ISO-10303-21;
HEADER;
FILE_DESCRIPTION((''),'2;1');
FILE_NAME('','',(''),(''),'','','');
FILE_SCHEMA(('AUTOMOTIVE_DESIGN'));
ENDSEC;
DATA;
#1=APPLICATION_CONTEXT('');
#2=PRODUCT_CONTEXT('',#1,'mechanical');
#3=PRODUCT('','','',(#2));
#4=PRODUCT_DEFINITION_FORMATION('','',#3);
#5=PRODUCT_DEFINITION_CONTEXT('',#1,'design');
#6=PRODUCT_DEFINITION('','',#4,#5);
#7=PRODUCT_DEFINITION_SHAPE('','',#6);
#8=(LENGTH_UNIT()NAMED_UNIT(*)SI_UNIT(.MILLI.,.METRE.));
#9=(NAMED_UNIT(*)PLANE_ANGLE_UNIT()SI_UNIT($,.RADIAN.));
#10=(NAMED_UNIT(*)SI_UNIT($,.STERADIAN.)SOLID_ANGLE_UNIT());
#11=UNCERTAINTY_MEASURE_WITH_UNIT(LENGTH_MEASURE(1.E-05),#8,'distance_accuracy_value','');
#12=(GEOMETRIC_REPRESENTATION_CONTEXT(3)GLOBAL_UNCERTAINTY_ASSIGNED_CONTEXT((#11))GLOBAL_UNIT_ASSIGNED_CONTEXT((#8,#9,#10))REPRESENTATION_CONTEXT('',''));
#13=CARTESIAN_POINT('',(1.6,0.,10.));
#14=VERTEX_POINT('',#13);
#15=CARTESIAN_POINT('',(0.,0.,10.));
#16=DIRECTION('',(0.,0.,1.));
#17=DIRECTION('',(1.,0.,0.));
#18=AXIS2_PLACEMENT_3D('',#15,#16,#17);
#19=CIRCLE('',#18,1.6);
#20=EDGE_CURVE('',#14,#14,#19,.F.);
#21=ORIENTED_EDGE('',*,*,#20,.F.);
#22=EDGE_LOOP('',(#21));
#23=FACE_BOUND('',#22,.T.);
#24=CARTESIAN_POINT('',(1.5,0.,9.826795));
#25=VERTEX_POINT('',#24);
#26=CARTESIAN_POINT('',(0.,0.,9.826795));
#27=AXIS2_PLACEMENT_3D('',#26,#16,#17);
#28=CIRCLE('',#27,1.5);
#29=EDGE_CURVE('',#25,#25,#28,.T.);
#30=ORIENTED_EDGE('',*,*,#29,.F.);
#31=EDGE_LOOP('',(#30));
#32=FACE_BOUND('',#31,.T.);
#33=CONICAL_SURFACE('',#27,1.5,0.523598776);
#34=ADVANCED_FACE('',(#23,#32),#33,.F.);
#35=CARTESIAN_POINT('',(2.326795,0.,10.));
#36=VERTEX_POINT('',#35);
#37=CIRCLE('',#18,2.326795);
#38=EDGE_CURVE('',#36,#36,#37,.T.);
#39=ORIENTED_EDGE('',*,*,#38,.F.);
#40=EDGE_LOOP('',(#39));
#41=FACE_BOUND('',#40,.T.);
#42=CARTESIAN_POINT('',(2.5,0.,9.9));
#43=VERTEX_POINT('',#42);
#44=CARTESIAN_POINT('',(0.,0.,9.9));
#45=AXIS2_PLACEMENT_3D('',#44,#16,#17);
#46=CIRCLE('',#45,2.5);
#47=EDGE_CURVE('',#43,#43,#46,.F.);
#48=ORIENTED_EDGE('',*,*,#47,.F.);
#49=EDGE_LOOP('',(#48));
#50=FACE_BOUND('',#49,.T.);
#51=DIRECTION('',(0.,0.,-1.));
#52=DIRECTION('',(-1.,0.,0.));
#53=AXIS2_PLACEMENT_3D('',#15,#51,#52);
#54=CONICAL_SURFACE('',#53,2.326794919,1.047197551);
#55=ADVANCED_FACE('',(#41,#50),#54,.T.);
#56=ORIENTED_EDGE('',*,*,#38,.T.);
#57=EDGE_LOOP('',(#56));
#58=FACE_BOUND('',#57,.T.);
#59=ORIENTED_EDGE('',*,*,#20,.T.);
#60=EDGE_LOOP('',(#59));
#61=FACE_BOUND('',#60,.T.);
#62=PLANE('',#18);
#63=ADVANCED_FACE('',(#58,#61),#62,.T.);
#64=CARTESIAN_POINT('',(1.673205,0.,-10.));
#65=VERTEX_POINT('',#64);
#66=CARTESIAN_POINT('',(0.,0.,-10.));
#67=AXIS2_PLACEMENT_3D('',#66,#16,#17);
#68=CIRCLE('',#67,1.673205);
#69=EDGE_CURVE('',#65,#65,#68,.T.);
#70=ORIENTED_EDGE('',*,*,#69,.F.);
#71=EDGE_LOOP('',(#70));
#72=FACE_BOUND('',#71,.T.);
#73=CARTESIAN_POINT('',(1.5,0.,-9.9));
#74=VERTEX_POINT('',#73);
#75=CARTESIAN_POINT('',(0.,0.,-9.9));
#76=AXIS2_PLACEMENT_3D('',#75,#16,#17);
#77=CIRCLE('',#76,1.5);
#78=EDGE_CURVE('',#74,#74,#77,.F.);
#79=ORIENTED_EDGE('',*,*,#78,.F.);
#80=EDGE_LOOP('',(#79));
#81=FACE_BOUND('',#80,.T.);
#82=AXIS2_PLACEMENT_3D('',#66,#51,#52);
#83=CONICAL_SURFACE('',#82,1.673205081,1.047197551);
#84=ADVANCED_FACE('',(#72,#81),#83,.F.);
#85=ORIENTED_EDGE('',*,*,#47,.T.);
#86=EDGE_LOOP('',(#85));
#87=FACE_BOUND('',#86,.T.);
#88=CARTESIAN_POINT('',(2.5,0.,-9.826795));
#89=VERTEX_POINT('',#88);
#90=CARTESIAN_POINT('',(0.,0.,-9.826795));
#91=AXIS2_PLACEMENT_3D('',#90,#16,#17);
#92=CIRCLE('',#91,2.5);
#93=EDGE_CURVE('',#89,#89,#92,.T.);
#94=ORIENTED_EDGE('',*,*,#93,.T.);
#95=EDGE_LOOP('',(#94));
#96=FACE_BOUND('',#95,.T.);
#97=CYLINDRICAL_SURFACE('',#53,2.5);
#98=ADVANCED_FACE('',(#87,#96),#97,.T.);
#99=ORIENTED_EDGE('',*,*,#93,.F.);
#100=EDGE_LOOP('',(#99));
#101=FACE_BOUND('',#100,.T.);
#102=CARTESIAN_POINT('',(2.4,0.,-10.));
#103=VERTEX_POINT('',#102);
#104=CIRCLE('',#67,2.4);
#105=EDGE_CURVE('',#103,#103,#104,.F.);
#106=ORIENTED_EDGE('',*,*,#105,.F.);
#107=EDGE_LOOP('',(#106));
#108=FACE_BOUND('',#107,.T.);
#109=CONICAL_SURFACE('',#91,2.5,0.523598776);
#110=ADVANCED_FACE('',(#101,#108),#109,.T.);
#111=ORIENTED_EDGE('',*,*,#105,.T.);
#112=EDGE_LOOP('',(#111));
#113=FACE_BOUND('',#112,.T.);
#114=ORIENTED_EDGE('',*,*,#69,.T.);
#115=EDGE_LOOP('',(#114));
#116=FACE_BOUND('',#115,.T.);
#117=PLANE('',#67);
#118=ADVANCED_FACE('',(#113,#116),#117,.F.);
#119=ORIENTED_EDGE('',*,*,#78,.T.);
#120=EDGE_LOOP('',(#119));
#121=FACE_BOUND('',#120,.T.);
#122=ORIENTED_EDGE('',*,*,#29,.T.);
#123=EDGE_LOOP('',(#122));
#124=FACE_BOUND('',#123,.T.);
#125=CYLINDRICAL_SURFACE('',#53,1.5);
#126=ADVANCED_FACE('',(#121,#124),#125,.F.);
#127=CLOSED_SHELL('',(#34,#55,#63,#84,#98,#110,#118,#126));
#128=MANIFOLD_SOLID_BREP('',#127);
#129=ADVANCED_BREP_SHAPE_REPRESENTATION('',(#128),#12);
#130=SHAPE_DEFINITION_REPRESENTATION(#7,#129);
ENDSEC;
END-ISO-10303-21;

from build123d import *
from OCP.BRepFilletAPI import BRepFilletAPI_MakeChamfer

# Parameters (mm, degrees)
SKETCH1_R           = 2.5
SKETCH1_R_2         = 1.5
BOSS_EXTRUDE1_DEPTH = 10
CHAMFER1_SIZE       = 0.1
CHAMFER1_SIZE2      = 0.173205081


with BuildPart() as part:
    # Sketch1 → Boss-Extrude1 (new, symmetric)
    with BuildSketch(Plane.XY):
        Circle(SKETCH1_R)
        Circle(SKETCH1_R_2, mode=Mode.SUBTRACT)
    extrude(amount=BOSS_EXTRUDE1_DEPTH, both=True)

    # Chamfer1: one chamfer whose edges measure the first distance from different faces: ONE call of the kernel's chamfer builder (chamfer() names one face for all edges)
    chamfer1_edges_1 = [part.edges().sort_by_distance(p)[0] for p in [
        (-2.5, 0, -10),
    ]]
    chamfer1_side_1 = [part.faces().sort_by_distance(p)[0] for p in [
        (-2.429289322, 0, -10),
    ]]
    chamfer1_edges_2 = [part.edges().sort_by_distance(p)[0] for p in [
        (-2.5, 0, 10),
    ]]
    chamfer1_side_2 = [part.faces().sort_by_distance(p)[0] for p in [
        (-2.5, 0, 0),
    ]]
    chamfer1_edges_3 = [part.edges().sort_by_distance(p)[0] for p in [
        (-1.5, 0, -10),
    ]]
    chamfer1_side_3 = [part.faces().sort_by_distance(p)[0] for p in [
        (-1.5, 0, 0),
    ]]
    chamfer1_edges_4 = [part.edges().sort_by_distance(p)[0] for p in [
        (-1.5, 0, 10),
    ]]
    chamfer1_side_4 = [part.faces().sort_by_distance(p)[0] for p in [
        (-2.429289322, 0, 10),
    ]]
    chamfer1 = BRepFilletAPI_MakeChamfer(part.part.solid().wrapped)
    for e in chamfer1_edges_1:
        chamfer1.Add(CHAMFER1_SIZE, CHAMFER1_SIZE2, e.wrapped, chamfer1_side_1[0].wrapped)  # the first distance lies on this face
    for e in chamfer1_edges_2:
        chamfer1.Add(CHAMFER1_SIZE, CHAMFER1_SIZE2, e.wrapped, chamfer1_side_2[0].wrapped)  # the first distance lies on this face
    for e in chamfer1_edges_3:
        chamfer1.Add(CHAMFER1_SIZE, CHAMFER1_SIZE2, e.wrapped, chamfer1_side_3[0].wrapped)  # the first distance lies on this face
    for e in chamfer1_edges_4:
        chamfer1.Add(CHAMFER1_SIZE, CHAMFER1_SIZE2, e.wrapped, chamfer1_side_4[0].wrapped)  # the first distance lies on this face
    add(Compound.cast(chamfer1.Shape()), mode=Mode.REPLACE)


solid = part.part
